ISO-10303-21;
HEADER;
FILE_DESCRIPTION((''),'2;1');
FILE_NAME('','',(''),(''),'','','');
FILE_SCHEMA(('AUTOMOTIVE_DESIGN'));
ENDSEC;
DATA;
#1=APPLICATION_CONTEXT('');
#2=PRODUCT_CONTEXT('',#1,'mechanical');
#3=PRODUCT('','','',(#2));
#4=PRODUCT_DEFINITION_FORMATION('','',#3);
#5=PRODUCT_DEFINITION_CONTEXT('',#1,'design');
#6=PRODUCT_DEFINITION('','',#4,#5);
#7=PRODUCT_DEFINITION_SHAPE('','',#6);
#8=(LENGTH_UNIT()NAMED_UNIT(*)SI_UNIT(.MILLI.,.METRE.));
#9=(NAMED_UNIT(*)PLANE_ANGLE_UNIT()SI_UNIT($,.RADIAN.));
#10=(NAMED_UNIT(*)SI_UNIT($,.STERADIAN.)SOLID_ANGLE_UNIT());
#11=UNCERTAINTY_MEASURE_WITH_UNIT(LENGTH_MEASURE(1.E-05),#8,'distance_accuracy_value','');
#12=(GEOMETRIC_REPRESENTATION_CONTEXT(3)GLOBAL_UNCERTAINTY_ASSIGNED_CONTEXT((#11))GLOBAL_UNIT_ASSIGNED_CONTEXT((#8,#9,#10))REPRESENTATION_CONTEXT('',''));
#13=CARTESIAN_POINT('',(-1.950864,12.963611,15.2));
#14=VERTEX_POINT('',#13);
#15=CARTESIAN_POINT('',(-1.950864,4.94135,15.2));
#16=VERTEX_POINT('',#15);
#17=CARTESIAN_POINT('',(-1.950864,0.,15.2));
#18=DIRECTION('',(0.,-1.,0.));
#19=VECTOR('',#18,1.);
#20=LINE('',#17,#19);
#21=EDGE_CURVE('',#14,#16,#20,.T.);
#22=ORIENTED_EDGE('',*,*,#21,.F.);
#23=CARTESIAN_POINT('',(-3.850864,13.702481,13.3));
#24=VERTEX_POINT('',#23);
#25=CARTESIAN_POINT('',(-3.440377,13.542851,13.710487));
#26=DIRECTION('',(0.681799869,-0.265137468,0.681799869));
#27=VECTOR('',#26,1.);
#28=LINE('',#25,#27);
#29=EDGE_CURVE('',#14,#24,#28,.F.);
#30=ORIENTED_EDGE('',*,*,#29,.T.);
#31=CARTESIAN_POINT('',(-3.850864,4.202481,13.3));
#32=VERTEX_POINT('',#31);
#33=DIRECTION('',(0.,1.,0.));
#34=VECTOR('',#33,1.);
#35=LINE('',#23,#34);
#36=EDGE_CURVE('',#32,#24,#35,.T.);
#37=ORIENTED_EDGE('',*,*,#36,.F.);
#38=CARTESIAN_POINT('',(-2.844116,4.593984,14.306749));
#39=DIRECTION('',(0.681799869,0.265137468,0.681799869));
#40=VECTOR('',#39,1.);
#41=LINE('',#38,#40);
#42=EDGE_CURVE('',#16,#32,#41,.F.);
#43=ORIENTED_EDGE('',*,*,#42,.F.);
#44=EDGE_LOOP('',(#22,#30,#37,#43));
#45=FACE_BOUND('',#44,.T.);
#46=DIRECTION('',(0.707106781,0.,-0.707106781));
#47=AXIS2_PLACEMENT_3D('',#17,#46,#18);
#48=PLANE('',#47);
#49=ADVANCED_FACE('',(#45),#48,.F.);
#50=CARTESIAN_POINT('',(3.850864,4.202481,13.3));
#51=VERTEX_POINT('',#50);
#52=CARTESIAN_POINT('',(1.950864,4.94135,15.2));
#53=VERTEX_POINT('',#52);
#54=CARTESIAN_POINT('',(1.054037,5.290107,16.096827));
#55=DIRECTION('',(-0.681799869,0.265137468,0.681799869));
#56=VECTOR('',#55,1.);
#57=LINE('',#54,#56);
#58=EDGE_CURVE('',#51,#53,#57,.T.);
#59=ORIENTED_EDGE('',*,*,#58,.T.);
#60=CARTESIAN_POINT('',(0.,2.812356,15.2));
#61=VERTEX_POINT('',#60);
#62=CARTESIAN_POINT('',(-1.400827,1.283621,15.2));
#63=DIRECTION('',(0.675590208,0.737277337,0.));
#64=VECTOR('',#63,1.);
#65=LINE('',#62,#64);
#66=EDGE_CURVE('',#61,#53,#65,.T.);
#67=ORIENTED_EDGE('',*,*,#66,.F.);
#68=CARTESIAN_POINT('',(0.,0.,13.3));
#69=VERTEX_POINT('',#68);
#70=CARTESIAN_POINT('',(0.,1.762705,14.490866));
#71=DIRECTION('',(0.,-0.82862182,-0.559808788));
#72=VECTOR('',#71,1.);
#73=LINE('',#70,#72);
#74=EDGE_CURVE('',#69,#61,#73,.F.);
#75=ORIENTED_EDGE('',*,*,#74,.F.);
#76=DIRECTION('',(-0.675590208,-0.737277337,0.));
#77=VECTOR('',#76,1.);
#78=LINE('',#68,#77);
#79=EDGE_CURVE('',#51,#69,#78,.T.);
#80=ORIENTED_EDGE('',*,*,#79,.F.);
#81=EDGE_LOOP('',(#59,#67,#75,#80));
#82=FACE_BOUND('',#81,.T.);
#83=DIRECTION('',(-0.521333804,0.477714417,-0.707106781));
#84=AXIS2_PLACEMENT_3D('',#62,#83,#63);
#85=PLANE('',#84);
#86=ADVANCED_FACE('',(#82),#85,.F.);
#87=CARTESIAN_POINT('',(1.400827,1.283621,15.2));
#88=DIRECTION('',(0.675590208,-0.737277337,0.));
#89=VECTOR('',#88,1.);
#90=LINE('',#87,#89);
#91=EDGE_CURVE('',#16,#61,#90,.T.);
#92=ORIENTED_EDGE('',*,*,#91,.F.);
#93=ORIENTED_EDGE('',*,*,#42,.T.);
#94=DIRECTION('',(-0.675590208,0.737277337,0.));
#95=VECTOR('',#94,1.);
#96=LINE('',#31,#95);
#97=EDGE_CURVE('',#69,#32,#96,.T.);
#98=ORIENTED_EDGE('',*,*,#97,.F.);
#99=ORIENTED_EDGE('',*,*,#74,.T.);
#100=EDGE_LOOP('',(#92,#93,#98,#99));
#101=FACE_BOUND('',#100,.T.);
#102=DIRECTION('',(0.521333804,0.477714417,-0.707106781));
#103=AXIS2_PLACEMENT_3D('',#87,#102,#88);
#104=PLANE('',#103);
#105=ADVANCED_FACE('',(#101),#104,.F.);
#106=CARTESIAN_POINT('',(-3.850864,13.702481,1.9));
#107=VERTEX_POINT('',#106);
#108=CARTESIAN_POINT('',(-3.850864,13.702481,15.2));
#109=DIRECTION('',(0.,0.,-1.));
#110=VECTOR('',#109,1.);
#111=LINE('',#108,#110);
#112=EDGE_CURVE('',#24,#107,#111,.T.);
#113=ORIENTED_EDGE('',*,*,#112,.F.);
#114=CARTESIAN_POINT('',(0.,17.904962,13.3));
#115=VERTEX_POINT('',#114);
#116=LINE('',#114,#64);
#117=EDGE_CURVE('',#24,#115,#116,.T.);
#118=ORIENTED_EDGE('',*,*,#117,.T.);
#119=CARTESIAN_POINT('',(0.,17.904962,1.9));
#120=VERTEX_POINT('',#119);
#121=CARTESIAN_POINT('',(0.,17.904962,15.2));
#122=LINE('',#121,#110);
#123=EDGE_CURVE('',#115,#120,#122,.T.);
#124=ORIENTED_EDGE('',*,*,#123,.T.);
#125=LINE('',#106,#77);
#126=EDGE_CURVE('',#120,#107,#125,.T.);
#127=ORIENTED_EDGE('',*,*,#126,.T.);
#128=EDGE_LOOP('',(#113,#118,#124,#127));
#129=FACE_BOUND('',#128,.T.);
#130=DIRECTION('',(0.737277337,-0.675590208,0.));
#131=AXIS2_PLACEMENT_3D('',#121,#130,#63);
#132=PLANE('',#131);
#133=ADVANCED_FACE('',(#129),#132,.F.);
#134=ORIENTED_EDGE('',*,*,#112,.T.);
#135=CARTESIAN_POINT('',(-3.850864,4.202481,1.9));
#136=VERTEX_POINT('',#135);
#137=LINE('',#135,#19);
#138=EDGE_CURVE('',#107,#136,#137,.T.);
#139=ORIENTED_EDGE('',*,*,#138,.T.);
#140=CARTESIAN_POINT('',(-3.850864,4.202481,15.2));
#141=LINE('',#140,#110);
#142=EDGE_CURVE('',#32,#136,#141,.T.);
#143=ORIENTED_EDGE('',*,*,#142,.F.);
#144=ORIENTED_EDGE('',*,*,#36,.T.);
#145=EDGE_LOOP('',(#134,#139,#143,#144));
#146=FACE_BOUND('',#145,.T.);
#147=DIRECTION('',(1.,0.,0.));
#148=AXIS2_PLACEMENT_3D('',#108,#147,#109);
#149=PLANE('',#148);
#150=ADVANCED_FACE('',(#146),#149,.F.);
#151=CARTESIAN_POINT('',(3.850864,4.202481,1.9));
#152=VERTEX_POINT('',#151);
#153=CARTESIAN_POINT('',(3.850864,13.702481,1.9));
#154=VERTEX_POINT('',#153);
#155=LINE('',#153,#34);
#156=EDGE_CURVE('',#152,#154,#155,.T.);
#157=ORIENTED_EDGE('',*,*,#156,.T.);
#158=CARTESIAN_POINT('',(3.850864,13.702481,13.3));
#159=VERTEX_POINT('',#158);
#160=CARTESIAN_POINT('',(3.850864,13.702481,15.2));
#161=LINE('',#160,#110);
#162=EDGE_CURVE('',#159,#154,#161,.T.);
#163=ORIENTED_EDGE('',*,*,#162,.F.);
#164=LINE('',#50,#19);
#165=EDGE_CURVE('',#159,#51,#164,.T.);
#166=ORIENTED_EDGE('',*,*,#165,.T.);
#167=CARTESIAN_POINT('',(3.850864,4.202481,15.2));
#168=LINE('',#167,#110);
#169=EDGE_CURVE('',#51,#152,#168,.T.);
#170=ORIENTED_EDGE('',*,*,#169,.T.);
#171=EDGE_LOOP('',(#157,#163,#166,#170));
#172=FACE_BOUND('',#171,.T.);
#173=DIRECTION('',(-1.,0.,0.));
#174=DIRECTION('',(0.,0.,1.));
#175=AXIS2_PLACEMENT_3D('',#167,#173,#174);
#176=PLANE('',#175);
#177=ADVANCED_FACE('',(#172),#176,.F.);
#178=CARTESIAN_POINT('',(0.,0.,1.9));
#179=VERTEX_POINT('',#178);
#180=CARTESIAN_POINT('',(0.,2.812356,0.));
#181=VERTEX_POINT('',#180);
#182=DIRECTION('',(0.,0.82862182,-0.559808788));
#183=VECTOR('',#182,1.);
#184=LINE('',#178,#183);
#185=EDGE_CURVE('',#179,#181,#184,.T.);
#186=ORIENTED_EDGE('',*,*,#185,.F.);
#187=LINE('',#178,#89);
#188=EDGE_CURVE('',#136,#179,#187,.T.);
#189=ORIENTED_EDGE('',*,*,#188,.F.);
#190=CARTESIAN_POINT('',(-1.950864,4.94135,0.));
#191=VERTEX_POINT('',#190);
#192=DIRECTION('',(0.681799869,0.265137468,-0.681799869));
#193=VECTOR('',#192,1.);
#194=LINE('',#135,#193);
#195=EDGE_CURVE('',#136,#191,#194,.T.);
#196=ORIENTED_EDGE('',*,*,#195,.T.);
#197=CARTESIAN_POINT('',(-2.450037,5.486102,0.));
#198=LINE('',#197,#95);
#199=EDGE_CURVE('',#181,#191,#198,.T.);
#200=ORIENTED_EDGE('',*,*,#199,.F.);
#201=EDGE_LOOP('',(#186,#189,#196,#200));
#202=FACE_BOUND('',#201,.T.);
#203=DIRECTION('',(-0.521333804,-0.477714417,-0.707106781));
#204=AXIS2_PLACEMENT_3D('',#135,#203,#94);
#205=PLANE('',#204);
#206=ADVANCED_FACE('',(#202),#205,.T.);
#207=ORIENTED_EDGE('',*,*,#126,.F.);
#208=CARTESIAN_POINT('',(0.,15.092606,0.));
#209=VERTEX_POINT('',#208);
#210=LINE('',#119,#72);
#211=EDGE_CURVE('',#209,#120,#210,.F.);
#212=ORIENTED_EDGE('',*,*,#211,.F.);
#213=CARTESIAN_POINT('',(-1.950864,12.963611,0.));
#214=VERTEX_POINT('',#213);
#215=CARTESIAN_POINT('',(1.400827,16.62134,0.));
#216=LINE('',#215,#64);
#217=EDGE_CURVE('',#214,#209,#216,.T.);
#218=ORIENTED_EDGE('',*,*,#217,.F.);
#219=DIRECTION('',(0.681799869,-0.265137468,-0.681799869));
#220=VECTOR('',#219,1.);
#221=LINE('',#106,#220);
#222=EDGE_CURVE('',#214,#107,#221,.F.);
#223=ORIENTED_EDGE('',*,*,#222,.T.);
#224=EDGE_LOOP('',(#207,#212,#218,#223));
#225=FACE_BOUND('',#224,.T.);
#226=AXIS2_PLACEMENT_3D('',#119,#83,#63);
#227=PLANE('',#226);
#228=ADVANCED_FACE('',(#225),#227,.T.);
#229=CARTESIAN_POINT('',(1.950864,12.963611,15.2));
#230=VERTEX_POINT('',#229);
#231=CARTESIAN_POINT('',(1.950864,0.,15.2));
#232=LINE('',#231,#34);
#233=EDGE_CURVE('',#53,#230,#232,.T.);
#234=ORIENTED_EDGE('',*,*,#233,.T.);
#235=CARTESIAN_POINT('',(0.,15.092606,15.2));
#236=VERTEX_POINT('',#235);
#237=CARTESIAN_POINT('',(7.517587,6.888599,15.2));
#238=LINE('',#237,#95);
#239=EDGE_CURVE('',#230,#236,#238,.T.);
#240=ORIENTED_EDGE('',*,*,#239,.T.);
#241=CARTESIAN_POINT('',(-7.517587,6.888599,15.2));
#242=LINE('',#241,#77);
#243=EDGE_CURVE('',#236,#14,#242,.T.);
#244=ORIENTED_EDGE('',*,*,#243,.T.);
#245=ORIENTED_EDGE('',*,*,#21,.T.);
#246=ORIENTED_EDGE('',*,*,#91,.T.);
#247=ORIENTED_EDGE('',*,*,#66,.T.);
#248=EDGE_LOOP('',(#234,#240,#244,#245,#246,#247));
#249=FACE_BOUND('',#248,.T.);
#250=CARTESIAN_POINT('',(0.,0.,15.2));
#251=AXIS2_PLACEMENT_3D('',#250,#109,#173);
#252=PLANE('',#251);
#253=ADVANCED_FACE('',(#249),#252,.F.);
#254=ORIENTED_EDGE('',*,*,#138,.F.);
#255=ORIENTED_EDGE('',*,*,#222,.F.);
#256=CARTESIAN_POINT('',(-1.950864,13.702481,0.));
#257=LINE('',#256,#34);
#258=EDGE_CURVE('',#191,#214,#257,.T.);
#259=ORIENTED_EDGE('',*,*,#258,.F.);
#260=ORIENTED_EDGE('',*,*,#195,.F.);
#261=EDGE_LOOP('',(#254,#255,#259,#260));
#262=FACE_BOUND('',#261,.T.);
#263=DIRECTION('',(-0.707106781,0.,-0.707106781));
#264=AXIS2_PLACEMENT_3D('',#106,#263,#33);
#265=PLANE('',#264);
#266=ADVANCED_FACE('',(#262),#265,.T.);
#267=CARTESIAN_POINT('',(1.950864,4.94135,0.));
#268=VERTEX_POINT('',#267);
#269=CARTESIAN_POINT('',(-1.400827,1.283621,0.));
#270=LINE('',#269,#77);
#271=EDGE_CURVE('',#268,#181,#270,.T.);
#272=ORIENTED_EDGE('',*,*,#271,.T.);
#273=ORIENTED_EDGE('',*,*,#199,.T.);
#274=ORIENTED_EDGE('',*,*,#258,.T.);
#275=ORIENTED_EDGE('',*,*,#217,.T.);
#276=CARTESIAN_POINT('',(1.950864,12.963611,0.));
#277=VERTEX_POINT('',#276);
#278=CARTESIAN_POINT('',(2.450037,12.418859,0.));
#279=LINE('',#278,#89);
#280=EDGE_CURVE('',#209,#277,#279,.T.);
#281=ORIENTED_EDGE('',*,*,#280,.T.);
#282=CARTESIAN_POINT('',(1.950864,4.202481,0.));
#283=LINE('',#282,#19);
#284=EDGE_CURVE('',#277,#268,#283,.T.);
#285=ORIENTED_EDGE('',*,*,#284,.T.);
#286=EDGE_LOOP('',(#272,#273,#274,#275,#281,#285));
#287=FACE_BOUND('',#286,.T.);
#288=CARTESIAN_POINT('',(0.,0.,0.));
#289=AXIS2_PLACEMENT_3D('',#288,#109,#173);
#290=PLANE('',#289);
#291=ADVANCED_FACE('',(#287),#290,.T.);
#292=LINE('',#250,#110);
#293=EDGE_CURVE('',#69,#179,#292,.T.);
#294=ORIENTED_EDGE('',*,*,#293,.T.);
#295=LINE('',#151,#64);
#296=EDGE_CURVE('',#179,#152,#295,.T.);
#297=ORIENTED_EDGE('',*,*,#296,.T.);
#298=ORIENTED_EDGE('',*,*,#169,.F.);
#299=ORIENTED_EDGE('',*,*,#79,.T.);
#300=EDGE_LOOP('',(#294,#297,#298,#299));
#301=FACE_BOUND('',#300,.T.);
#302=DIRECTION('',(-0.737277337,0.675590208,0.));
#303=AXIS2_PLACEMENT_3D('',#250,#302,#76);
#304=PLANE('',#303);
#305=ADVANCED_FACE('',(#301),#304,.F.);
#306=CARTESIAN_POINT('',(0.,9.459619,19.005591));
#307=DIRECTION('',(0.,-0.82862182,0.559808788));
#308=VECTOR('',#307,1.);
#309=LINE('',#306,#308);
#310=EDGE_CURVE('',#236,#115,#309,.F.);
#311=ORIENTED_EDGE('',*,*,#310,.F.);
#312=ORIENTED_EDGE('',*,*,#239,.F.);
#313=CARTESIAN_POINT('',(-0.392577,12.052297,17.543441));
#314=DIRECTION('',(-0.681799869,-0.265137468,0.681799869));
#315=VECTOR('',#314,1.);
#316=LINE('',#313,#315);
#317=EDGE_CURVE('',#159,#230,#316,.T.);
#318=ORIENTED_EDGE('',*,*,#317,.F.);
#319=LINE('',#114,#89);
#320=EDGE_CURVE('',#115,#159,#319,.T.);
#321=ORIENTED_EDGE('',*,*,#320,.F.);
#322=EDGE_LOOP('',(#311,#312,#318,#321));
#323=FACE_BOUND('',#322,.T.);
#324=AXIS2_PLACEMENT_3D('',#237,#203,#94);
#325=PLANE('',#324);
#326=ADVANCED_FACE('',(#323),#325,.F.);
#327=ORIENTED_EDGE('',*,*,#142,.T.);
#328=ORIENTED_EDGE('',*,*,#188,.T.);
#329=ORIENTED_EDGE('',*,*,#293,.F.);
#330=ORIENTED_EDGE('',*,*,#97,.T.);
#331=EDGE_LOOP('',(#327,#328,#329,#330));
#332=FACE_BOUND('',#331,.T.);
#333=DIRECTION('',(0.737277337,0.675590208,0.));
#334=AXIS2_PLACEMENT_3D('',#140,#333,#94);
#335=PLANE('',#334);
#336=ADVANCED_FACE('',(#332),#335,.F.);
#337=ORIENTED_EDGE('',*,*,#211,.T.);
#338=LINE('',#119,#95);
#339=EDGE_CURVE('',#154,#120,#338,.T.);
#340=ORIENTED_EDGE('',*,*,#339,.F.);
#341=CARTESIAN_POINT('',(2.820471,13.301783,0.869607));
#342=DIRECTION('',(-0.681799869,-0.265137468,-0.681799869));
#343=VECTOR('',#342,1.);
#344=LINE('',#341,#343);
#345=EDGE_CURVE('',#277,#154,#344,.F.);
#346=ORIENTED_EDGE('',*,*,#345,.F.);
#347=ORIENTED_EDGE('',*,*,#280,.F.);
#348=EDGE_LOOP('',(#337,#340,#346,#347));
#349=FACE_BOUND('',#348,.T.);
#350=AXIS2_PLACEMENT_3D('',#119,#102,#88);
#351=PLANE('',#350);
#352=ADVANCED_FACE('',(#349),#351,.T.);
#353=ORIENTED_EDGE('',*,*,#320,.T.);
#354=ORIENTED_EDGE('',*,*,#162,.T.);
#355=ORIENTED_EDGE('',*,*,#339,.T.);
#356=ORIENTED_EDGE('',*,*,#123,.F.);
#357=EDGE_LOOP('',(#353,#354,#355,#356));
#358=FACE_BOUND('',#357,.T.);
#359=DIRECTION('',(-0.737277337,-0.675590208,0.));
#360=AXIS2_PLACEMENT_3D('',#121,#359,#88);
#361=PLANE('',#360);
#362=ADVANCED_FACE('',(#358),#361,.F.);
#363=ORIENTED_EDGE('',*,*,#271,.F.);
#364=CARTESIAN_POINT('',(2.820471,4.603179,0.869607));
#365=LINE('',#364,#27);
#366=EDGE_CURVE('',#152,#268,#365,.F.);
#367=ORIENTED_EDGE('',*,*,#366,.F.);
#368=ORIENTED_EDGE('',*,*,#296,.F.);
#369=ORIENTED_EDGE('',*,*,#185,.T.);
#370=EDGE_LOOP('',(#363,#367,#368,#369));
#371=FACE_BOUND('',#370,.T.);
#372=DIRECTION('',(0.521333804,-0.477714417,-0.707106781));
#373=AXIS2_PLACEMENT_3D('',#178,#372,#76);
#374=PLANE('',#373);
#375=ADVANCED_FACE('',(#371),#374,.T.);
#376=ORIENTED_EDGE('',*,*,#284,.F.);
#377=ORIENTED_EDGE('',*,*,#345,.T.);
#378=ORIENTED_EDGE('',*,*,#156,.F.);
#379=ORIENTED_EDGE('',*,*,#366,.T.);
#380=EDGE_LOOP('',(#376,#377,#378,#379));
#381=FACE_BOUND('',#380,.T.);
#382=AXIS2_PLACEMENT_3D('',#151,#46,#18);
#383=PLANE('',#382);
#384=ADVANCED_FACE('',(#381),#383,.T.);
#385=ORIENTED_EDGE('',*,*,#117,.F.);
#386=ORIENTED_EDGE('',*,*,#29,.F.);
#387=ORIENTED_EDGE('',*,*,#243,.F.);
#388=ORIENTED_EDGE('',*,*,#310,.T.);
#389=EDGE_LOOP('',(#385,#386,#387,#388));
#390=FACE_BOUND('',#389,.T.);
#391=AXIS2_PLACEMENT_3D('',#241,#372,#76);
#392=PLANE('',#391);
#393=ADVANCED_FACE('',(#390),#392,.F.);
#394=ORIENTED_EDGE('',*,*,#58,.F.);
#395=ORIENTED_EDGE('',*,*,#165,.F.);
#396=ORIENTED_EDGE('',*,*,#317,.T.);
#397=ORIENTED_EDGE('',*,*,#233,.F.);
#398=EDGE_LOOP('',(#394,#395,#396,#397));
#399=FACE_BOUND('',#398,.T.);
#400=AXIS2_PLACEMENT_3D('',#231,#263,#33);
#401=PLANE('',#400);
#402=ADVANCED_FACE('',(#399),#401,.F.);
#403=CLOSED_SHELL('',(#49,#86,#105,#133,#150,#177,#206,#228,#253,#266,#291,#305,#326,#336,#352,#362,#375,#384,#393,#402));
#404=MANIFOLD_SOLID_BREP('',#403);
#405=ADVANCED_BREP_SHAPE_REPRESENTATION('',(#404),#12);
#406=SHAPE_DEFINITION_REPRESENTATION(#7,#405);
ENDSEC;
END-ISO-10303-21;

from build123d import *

# Parameters (mm, degrees)
BOSS_EXTRUDE1_DEPTH = 16
CHAMFER1_SIZE       = 2
SCALE2_SCALE        = 0.95


with BuildPart() as part:
    # Sketch1 → Boss-Extrude1 (new body)
    with BuildSketch(Plane.XY):
        Polygon((0, 18.847328042), (-4.053541246, 14.423664021), (-4.053541246, 4.423664021), (0, 0), (4.053541246, 4.423664021), (4.053541246, 14.423664021), align=None)
    extrude(amount=BOSS_EXTRUDE1_DEPTH)

    # Chamfer1
    chamfer1_edges = [part.edges().sort_by_distance(p)[0] for p in [
        (2.026770623, 16.635496031, 16),
        (-2.026770623, 16.635496031, 16),
        (-4.053541246, 9.423664021, 16),
        (-2.026770623, 2.21183201, 16),
        (2.026770623, 2.21183201, 16),
        (-2.026770623, 2.21183201, 0),
        (-4.053541246, 9.423664021, 0),
        (-2.026770623, 16.635496031, 0),
        (2.026770623, 16.635496031, 0),
        (4.053541246, 9.423664021, 0),
        (2.026770623, 2.21183201, 0),
        (4.053541246, 9.423664021, 16),
    ]]
    chamfer(chamfer1_edges, length=CHAMFER1_SIZE)


with BuildPart() as part_1:
    # Scale2: scaled about (0, 0, 0)
    add(part.part.scale(SCALE2_SCALE))


solid = part_1.part
